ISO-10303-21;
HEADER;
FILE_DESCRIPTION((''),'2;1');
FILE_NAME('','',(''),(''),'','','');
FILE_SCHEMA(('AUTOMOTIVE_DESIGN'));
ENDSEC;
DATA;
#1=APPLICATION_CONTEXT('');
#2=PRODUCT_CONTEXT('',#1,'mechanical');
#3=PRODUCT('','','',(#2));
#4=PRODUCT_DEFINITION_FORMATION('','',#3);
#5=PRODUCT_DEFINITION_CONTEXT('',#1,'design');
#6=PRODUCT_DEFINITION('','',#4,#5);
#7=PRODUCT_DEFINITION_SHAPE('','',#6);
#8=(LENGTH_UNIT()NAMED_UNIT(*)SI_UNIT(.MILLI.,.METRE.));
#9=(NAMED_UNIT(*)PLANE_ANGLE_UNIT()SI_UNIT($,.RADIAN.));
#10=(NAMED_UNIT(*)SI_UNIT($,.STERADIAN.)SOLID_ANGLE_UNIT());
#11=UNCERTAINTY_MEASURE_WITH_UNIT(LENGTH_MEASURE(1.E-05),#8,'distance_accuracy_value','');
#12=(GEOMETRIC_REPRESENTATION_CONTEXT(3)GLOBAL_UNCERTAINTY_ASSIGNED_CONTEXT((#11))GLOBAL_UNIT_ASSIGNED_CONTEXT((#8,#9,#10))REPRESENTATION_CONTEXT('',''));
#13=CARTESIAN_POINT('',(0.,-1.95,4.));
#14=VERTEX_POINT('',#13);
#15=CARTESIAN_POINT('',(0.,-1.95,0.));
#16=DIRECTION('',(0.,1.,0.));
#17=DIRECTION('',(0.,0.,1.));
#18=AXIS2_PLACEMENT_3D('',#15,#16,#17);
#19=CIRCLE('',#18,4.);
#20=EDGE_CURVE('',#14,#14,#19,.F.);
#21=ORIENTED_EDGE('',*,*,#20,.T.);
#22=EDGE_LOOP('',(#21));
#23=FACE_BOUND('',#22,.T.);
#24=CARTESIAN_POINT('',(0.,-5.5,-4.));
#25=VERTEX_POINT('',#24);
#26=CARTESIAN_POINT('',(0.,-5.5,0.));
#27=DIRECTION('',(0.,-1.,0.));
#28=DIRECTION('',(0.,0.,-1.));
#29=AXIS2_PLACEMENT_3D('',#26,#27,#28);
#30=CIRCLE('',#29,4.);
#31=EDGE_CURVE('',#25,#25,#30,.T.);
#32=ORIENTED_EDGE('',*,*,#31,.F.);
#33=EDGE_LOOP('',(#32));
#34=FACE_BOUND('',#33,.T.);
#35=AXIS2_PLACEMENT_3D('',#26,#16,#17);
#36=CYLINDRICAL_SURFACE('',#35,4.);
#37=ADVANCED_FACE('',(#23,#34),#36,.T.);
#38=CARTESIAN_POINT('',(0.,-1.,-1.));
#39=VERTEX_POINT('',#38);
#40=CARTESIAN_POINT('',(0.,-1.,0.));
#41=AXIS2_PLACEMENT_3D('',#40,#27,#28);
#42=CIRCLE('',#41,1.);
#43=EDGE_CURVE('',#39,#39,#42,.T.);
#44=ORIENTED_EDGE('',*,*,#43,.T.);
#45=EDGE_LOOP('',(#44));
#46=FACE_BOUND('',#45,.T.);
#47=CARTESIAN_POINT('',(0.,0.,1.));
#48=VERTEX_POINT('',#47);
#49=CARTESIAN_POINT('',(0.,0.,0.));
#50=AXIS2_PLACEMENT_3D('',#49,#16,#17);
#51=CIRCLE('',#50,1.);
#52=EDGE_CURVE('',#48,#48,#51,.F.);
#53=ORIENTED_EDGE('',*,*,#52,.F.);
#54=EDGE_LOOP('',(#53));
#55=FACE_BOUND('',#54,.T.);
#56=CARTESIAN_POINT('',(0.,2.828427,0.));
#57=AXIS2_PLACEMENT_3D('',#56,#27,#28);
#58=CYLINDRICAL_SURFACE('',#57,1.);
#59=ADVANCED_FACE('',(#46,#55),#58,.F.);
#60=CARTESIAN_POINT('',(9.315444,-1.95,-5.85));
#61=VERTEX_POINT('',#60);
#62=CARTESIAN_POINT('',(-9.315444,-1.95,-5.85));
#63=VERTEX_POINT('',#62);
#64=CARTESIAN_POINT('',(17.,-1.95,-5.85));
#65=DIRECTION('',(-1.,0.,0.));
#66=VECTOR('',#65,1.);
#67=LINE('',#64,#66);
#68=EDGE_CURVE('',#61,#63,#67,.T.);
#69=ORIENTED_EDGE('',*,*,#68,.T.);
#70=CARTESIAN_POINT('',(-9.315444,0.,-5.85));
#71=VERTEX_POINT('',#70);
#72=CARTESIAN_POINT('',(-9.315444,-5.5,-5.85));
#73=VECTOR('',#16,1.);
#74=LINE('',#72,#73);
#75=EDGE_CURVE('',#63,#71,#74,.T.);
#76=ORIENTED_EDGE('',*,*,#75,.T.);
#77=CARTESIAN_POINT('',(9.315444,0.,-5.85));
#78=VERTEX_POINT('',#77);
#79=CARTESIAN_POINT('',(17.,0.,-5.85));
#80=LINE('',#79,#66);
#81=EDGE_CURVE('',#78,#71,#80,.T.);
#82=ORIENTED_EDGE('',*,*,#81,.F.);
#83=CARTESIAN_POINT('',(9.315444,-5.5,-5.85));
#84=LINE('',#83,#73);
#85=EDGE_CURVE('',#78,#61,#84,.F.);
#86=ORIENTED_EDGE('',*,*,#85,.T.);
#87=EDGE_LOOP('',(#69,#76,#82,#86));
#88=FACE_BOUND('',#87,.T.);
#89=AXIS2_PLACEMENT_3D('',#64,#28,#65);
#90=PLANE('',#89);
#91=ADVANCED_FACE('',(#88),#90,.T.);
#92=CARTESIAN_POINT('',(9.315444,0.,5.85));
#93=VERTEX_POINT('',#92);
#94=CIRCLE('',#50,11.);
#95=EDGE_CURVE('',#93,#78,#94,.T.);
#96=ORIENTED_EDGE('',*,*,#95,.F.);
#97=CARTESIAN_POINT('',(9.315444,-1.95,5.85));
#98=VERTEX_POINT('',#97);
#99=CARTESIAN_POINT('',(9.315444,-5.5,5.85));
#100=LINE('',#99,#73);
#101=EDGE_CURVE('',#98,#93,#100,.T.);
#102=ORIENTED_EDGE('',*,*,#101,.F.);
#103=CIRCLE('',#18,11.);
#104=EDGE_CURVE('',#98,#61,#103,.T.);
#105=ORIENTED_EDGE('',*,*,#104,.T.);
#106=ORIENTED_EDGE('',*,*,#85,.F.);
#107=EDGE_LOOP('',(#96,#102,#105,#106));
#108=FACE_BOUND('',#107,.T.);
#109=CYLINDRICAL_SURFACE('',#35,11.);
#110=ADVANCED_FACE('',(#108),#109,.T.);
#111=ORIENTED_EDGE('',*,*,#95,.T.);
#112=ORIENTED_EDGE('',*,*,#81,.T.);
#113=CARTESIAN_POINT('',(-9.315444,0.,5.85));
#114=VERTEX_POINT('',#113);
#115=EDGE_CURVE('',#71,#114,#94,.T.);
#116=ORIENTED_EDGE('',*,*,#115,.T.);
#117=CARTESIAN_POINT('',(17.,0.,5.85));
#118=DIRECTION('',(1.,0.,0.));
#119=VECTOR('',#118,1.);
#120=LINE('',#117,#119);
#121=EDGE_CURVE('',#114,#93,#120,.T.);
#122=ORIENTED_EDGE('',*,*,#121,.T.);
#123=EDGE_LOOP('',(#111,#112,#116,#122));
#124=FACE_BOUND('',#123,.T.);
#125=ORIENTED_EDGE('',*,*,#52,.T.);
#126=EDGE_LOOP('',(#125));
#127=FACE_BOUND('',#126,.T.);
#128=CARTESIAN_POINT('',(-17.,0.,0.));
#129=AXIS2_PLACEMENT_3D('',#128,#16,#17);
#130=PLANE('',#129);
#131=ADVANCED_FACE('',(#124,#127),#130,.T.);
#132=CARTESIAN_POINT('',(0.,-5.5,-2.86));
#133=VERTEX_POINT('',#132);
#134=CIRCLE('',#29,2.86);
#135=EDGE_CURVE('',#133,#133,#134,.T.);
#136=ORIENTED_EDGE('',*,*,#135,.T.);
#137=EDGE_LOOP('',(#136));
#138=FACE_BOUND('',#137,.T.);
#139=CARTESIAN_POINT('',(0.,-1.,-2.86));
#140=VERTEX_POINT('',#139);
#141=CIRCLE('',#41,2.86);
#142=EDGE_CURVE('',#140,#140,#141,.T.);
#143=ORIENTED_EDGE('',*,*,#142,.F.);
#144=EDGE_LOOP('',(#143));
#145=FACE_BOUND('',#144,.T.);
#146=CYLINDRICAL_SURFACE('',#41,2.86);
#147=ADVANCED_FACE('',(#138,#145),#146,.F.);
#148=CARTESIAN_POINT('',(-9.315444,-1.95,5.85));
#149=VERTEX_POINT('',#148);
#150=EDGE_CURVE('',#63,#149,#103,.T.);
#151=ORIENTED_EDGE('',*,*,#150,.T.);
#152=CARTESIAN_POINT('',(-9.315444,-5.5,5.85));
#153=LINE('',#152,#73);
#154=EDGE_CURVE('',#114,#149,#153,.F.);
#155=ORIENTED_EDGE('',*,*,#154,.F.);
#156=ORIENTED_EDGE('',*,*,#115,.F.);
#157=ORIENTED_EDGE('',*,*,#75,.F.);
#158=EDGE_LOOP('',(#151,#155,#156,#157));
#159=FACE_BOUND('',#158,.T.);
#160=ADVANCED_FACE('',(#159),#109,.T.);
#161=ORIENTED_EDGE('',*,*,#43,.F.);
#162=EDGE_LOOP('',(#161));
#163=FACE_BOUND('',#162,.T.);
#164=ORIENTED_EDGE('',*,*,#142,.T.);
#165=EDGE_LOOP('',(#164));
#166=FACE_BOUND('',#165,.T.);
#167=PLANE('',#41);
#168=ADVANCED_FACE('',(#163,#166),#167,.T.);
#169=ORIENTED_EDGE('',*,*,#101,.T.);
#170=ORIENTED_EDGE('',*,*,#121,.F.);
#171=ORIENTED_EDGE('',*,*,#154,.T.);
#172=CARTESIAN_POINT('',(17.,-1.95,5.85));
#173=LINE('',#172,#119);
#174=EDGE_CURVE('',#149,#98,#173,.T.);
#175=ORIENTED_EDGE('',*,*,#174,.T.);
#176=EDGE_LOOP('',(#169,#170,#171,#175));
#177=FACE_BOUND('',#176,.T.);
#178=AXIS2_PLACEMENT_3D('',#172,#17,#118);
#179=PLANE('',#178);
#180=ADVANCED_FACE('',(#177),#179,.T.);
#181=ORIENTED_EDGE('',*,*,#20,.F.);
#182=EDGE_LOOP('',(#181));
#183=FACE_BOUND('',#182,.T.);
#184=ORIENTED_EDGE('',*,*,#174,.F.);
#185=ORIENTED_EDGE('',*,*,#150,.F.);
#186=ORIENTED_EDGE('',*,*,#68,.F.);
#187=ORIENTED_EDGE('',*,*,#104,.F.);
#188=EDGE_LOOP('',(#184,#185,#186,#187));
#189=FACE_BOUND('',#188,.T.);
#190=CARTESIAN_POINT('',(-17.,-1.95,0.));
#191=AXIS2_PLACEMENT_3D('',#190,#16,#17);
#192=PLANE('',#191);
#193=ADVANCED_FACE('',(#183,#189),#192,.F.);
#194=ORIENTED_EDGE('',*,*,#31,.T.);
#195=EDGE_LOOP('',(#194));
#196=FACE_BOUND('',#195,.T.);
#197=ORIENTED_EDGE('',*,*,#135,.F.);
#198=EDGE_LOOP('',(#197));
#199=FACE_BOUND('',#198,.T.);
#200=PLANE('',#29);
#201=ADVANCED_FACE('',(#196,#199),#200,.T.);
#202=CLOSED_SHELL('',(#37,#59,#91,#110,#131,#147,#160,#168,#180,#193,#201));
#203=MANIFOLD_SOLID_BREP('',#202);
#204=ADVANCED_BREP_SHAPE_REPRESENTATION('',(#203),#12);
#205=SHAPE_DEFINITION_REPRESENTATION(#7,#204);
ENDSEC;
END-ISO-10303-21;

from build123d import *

# Parameters (mm, degrees)
BOSS_EXTRUDE1_DEPTH     = 1.95
SKETCH2_R               = 4
BOSS_EXTRUDE2_DEPTH     = 3.55
SKETCH3_R               = 2.86
CUT_EXTRUDE1_DEPTH      = 4.5
SKETCH4_R               = 1
CUT_EXTRUDE2_DEPTH      = 1
CUT_EXTRUDE3_DEPTH      = 25.219723368
CUT_EXTRUDE3_DEPTH_BACK = 25.219723368
SKETCH5_OUTSIDE_W       = 57.198
SKETCH5_OUTSIDE_H       = 23.198
SKETCH5_OUTSIDE_R       = 11


with BuildPart() as part:
    # Sketch1 → Boss-Extrude1 (new body)
    with BuildSketch(Plane(origin=(0, 0, 0), x_dir=(1, 0, 0), z_dir=(0, 1, 0))):
        with BuildLine():
            Line((17, 5.85), (-17, 5.85))
            ThreePointArc((-17, 5.85), (-21.13657467, 4.13657467), (-22.85, 0))
            ThreePointArc((-22.85, 0), (-21.13657467, -4.13657467), (-17, -5.85))
            Line((-17, -5.85), (17, -5.85))
            ThreePointArc((17, -5.85), (21.13657467, -4.13657467), (22.85, 0))
            ThreePointArc((22.85, 0), (21.13657467, 4.13657467), (17, 5.85))
        make_face()
    extrude(amount=-BOSS_EXTRUDE1_DEPTH)

    # Sketch2 → Boss-Extrude2 (add)
    with BuildSketch(Plane.XZ.offset(1.95)):
        with Locations(Location((0, 0, 0), (0, 0, 90))):
            Circle(SKETCH2_R)
    extrude(amount=BOSS_EXTRUDE2_DEPTH)

    # Sketch3 → Cut-Extrude1 (cut)
    with BuildSketch(Plane.XZ.offset(5.5)):
        with Locations(Location((0, 0, 0), (0, 0, 270))):
            Circle(SKETCH3_R)
    extrude(amount=-CUT_EXTRUDE1_DEPTH, mode=Mode.SUBTRACT)

    # Sketch4 → Cut-Extrude2 (cut)
    with BuildSketch(Plane.XZ.offset(1)):
        with Locations(Location((0, 0, 0), (0, 0, 270))):
            Circle(SKETCH4_R)
    extrude(amount=-CUT_EXTRUDE2_DEPTH, mode=Mode.SUBTRACT)

    # Sketch5 outside → Cut-Extrude3 (cut, two sides: drawn at the far end of the back side and taken through both)
    with BuildSketch(Plane(origin=(0, 0, 0), x_dir=(1, 0, 0), z_dir=(0, 1, 0)).offset(-CUT_EXTRUDE3_DEPTH_BACK)):
        Rectangle(SKETCH5_OUTSIDE_W, SKETCH5_OUTSIDE_H)
        Circle(SKETCH5_OUTSIDE_R, mode=Mode.SUBTRACT)
    extrude(amount=CUT_EXTRUDE3_DEPTH + CUT_EXTRUDE3_DEPTH_BACK, mode=Mode.SUBTRACT)


solid = part.part
